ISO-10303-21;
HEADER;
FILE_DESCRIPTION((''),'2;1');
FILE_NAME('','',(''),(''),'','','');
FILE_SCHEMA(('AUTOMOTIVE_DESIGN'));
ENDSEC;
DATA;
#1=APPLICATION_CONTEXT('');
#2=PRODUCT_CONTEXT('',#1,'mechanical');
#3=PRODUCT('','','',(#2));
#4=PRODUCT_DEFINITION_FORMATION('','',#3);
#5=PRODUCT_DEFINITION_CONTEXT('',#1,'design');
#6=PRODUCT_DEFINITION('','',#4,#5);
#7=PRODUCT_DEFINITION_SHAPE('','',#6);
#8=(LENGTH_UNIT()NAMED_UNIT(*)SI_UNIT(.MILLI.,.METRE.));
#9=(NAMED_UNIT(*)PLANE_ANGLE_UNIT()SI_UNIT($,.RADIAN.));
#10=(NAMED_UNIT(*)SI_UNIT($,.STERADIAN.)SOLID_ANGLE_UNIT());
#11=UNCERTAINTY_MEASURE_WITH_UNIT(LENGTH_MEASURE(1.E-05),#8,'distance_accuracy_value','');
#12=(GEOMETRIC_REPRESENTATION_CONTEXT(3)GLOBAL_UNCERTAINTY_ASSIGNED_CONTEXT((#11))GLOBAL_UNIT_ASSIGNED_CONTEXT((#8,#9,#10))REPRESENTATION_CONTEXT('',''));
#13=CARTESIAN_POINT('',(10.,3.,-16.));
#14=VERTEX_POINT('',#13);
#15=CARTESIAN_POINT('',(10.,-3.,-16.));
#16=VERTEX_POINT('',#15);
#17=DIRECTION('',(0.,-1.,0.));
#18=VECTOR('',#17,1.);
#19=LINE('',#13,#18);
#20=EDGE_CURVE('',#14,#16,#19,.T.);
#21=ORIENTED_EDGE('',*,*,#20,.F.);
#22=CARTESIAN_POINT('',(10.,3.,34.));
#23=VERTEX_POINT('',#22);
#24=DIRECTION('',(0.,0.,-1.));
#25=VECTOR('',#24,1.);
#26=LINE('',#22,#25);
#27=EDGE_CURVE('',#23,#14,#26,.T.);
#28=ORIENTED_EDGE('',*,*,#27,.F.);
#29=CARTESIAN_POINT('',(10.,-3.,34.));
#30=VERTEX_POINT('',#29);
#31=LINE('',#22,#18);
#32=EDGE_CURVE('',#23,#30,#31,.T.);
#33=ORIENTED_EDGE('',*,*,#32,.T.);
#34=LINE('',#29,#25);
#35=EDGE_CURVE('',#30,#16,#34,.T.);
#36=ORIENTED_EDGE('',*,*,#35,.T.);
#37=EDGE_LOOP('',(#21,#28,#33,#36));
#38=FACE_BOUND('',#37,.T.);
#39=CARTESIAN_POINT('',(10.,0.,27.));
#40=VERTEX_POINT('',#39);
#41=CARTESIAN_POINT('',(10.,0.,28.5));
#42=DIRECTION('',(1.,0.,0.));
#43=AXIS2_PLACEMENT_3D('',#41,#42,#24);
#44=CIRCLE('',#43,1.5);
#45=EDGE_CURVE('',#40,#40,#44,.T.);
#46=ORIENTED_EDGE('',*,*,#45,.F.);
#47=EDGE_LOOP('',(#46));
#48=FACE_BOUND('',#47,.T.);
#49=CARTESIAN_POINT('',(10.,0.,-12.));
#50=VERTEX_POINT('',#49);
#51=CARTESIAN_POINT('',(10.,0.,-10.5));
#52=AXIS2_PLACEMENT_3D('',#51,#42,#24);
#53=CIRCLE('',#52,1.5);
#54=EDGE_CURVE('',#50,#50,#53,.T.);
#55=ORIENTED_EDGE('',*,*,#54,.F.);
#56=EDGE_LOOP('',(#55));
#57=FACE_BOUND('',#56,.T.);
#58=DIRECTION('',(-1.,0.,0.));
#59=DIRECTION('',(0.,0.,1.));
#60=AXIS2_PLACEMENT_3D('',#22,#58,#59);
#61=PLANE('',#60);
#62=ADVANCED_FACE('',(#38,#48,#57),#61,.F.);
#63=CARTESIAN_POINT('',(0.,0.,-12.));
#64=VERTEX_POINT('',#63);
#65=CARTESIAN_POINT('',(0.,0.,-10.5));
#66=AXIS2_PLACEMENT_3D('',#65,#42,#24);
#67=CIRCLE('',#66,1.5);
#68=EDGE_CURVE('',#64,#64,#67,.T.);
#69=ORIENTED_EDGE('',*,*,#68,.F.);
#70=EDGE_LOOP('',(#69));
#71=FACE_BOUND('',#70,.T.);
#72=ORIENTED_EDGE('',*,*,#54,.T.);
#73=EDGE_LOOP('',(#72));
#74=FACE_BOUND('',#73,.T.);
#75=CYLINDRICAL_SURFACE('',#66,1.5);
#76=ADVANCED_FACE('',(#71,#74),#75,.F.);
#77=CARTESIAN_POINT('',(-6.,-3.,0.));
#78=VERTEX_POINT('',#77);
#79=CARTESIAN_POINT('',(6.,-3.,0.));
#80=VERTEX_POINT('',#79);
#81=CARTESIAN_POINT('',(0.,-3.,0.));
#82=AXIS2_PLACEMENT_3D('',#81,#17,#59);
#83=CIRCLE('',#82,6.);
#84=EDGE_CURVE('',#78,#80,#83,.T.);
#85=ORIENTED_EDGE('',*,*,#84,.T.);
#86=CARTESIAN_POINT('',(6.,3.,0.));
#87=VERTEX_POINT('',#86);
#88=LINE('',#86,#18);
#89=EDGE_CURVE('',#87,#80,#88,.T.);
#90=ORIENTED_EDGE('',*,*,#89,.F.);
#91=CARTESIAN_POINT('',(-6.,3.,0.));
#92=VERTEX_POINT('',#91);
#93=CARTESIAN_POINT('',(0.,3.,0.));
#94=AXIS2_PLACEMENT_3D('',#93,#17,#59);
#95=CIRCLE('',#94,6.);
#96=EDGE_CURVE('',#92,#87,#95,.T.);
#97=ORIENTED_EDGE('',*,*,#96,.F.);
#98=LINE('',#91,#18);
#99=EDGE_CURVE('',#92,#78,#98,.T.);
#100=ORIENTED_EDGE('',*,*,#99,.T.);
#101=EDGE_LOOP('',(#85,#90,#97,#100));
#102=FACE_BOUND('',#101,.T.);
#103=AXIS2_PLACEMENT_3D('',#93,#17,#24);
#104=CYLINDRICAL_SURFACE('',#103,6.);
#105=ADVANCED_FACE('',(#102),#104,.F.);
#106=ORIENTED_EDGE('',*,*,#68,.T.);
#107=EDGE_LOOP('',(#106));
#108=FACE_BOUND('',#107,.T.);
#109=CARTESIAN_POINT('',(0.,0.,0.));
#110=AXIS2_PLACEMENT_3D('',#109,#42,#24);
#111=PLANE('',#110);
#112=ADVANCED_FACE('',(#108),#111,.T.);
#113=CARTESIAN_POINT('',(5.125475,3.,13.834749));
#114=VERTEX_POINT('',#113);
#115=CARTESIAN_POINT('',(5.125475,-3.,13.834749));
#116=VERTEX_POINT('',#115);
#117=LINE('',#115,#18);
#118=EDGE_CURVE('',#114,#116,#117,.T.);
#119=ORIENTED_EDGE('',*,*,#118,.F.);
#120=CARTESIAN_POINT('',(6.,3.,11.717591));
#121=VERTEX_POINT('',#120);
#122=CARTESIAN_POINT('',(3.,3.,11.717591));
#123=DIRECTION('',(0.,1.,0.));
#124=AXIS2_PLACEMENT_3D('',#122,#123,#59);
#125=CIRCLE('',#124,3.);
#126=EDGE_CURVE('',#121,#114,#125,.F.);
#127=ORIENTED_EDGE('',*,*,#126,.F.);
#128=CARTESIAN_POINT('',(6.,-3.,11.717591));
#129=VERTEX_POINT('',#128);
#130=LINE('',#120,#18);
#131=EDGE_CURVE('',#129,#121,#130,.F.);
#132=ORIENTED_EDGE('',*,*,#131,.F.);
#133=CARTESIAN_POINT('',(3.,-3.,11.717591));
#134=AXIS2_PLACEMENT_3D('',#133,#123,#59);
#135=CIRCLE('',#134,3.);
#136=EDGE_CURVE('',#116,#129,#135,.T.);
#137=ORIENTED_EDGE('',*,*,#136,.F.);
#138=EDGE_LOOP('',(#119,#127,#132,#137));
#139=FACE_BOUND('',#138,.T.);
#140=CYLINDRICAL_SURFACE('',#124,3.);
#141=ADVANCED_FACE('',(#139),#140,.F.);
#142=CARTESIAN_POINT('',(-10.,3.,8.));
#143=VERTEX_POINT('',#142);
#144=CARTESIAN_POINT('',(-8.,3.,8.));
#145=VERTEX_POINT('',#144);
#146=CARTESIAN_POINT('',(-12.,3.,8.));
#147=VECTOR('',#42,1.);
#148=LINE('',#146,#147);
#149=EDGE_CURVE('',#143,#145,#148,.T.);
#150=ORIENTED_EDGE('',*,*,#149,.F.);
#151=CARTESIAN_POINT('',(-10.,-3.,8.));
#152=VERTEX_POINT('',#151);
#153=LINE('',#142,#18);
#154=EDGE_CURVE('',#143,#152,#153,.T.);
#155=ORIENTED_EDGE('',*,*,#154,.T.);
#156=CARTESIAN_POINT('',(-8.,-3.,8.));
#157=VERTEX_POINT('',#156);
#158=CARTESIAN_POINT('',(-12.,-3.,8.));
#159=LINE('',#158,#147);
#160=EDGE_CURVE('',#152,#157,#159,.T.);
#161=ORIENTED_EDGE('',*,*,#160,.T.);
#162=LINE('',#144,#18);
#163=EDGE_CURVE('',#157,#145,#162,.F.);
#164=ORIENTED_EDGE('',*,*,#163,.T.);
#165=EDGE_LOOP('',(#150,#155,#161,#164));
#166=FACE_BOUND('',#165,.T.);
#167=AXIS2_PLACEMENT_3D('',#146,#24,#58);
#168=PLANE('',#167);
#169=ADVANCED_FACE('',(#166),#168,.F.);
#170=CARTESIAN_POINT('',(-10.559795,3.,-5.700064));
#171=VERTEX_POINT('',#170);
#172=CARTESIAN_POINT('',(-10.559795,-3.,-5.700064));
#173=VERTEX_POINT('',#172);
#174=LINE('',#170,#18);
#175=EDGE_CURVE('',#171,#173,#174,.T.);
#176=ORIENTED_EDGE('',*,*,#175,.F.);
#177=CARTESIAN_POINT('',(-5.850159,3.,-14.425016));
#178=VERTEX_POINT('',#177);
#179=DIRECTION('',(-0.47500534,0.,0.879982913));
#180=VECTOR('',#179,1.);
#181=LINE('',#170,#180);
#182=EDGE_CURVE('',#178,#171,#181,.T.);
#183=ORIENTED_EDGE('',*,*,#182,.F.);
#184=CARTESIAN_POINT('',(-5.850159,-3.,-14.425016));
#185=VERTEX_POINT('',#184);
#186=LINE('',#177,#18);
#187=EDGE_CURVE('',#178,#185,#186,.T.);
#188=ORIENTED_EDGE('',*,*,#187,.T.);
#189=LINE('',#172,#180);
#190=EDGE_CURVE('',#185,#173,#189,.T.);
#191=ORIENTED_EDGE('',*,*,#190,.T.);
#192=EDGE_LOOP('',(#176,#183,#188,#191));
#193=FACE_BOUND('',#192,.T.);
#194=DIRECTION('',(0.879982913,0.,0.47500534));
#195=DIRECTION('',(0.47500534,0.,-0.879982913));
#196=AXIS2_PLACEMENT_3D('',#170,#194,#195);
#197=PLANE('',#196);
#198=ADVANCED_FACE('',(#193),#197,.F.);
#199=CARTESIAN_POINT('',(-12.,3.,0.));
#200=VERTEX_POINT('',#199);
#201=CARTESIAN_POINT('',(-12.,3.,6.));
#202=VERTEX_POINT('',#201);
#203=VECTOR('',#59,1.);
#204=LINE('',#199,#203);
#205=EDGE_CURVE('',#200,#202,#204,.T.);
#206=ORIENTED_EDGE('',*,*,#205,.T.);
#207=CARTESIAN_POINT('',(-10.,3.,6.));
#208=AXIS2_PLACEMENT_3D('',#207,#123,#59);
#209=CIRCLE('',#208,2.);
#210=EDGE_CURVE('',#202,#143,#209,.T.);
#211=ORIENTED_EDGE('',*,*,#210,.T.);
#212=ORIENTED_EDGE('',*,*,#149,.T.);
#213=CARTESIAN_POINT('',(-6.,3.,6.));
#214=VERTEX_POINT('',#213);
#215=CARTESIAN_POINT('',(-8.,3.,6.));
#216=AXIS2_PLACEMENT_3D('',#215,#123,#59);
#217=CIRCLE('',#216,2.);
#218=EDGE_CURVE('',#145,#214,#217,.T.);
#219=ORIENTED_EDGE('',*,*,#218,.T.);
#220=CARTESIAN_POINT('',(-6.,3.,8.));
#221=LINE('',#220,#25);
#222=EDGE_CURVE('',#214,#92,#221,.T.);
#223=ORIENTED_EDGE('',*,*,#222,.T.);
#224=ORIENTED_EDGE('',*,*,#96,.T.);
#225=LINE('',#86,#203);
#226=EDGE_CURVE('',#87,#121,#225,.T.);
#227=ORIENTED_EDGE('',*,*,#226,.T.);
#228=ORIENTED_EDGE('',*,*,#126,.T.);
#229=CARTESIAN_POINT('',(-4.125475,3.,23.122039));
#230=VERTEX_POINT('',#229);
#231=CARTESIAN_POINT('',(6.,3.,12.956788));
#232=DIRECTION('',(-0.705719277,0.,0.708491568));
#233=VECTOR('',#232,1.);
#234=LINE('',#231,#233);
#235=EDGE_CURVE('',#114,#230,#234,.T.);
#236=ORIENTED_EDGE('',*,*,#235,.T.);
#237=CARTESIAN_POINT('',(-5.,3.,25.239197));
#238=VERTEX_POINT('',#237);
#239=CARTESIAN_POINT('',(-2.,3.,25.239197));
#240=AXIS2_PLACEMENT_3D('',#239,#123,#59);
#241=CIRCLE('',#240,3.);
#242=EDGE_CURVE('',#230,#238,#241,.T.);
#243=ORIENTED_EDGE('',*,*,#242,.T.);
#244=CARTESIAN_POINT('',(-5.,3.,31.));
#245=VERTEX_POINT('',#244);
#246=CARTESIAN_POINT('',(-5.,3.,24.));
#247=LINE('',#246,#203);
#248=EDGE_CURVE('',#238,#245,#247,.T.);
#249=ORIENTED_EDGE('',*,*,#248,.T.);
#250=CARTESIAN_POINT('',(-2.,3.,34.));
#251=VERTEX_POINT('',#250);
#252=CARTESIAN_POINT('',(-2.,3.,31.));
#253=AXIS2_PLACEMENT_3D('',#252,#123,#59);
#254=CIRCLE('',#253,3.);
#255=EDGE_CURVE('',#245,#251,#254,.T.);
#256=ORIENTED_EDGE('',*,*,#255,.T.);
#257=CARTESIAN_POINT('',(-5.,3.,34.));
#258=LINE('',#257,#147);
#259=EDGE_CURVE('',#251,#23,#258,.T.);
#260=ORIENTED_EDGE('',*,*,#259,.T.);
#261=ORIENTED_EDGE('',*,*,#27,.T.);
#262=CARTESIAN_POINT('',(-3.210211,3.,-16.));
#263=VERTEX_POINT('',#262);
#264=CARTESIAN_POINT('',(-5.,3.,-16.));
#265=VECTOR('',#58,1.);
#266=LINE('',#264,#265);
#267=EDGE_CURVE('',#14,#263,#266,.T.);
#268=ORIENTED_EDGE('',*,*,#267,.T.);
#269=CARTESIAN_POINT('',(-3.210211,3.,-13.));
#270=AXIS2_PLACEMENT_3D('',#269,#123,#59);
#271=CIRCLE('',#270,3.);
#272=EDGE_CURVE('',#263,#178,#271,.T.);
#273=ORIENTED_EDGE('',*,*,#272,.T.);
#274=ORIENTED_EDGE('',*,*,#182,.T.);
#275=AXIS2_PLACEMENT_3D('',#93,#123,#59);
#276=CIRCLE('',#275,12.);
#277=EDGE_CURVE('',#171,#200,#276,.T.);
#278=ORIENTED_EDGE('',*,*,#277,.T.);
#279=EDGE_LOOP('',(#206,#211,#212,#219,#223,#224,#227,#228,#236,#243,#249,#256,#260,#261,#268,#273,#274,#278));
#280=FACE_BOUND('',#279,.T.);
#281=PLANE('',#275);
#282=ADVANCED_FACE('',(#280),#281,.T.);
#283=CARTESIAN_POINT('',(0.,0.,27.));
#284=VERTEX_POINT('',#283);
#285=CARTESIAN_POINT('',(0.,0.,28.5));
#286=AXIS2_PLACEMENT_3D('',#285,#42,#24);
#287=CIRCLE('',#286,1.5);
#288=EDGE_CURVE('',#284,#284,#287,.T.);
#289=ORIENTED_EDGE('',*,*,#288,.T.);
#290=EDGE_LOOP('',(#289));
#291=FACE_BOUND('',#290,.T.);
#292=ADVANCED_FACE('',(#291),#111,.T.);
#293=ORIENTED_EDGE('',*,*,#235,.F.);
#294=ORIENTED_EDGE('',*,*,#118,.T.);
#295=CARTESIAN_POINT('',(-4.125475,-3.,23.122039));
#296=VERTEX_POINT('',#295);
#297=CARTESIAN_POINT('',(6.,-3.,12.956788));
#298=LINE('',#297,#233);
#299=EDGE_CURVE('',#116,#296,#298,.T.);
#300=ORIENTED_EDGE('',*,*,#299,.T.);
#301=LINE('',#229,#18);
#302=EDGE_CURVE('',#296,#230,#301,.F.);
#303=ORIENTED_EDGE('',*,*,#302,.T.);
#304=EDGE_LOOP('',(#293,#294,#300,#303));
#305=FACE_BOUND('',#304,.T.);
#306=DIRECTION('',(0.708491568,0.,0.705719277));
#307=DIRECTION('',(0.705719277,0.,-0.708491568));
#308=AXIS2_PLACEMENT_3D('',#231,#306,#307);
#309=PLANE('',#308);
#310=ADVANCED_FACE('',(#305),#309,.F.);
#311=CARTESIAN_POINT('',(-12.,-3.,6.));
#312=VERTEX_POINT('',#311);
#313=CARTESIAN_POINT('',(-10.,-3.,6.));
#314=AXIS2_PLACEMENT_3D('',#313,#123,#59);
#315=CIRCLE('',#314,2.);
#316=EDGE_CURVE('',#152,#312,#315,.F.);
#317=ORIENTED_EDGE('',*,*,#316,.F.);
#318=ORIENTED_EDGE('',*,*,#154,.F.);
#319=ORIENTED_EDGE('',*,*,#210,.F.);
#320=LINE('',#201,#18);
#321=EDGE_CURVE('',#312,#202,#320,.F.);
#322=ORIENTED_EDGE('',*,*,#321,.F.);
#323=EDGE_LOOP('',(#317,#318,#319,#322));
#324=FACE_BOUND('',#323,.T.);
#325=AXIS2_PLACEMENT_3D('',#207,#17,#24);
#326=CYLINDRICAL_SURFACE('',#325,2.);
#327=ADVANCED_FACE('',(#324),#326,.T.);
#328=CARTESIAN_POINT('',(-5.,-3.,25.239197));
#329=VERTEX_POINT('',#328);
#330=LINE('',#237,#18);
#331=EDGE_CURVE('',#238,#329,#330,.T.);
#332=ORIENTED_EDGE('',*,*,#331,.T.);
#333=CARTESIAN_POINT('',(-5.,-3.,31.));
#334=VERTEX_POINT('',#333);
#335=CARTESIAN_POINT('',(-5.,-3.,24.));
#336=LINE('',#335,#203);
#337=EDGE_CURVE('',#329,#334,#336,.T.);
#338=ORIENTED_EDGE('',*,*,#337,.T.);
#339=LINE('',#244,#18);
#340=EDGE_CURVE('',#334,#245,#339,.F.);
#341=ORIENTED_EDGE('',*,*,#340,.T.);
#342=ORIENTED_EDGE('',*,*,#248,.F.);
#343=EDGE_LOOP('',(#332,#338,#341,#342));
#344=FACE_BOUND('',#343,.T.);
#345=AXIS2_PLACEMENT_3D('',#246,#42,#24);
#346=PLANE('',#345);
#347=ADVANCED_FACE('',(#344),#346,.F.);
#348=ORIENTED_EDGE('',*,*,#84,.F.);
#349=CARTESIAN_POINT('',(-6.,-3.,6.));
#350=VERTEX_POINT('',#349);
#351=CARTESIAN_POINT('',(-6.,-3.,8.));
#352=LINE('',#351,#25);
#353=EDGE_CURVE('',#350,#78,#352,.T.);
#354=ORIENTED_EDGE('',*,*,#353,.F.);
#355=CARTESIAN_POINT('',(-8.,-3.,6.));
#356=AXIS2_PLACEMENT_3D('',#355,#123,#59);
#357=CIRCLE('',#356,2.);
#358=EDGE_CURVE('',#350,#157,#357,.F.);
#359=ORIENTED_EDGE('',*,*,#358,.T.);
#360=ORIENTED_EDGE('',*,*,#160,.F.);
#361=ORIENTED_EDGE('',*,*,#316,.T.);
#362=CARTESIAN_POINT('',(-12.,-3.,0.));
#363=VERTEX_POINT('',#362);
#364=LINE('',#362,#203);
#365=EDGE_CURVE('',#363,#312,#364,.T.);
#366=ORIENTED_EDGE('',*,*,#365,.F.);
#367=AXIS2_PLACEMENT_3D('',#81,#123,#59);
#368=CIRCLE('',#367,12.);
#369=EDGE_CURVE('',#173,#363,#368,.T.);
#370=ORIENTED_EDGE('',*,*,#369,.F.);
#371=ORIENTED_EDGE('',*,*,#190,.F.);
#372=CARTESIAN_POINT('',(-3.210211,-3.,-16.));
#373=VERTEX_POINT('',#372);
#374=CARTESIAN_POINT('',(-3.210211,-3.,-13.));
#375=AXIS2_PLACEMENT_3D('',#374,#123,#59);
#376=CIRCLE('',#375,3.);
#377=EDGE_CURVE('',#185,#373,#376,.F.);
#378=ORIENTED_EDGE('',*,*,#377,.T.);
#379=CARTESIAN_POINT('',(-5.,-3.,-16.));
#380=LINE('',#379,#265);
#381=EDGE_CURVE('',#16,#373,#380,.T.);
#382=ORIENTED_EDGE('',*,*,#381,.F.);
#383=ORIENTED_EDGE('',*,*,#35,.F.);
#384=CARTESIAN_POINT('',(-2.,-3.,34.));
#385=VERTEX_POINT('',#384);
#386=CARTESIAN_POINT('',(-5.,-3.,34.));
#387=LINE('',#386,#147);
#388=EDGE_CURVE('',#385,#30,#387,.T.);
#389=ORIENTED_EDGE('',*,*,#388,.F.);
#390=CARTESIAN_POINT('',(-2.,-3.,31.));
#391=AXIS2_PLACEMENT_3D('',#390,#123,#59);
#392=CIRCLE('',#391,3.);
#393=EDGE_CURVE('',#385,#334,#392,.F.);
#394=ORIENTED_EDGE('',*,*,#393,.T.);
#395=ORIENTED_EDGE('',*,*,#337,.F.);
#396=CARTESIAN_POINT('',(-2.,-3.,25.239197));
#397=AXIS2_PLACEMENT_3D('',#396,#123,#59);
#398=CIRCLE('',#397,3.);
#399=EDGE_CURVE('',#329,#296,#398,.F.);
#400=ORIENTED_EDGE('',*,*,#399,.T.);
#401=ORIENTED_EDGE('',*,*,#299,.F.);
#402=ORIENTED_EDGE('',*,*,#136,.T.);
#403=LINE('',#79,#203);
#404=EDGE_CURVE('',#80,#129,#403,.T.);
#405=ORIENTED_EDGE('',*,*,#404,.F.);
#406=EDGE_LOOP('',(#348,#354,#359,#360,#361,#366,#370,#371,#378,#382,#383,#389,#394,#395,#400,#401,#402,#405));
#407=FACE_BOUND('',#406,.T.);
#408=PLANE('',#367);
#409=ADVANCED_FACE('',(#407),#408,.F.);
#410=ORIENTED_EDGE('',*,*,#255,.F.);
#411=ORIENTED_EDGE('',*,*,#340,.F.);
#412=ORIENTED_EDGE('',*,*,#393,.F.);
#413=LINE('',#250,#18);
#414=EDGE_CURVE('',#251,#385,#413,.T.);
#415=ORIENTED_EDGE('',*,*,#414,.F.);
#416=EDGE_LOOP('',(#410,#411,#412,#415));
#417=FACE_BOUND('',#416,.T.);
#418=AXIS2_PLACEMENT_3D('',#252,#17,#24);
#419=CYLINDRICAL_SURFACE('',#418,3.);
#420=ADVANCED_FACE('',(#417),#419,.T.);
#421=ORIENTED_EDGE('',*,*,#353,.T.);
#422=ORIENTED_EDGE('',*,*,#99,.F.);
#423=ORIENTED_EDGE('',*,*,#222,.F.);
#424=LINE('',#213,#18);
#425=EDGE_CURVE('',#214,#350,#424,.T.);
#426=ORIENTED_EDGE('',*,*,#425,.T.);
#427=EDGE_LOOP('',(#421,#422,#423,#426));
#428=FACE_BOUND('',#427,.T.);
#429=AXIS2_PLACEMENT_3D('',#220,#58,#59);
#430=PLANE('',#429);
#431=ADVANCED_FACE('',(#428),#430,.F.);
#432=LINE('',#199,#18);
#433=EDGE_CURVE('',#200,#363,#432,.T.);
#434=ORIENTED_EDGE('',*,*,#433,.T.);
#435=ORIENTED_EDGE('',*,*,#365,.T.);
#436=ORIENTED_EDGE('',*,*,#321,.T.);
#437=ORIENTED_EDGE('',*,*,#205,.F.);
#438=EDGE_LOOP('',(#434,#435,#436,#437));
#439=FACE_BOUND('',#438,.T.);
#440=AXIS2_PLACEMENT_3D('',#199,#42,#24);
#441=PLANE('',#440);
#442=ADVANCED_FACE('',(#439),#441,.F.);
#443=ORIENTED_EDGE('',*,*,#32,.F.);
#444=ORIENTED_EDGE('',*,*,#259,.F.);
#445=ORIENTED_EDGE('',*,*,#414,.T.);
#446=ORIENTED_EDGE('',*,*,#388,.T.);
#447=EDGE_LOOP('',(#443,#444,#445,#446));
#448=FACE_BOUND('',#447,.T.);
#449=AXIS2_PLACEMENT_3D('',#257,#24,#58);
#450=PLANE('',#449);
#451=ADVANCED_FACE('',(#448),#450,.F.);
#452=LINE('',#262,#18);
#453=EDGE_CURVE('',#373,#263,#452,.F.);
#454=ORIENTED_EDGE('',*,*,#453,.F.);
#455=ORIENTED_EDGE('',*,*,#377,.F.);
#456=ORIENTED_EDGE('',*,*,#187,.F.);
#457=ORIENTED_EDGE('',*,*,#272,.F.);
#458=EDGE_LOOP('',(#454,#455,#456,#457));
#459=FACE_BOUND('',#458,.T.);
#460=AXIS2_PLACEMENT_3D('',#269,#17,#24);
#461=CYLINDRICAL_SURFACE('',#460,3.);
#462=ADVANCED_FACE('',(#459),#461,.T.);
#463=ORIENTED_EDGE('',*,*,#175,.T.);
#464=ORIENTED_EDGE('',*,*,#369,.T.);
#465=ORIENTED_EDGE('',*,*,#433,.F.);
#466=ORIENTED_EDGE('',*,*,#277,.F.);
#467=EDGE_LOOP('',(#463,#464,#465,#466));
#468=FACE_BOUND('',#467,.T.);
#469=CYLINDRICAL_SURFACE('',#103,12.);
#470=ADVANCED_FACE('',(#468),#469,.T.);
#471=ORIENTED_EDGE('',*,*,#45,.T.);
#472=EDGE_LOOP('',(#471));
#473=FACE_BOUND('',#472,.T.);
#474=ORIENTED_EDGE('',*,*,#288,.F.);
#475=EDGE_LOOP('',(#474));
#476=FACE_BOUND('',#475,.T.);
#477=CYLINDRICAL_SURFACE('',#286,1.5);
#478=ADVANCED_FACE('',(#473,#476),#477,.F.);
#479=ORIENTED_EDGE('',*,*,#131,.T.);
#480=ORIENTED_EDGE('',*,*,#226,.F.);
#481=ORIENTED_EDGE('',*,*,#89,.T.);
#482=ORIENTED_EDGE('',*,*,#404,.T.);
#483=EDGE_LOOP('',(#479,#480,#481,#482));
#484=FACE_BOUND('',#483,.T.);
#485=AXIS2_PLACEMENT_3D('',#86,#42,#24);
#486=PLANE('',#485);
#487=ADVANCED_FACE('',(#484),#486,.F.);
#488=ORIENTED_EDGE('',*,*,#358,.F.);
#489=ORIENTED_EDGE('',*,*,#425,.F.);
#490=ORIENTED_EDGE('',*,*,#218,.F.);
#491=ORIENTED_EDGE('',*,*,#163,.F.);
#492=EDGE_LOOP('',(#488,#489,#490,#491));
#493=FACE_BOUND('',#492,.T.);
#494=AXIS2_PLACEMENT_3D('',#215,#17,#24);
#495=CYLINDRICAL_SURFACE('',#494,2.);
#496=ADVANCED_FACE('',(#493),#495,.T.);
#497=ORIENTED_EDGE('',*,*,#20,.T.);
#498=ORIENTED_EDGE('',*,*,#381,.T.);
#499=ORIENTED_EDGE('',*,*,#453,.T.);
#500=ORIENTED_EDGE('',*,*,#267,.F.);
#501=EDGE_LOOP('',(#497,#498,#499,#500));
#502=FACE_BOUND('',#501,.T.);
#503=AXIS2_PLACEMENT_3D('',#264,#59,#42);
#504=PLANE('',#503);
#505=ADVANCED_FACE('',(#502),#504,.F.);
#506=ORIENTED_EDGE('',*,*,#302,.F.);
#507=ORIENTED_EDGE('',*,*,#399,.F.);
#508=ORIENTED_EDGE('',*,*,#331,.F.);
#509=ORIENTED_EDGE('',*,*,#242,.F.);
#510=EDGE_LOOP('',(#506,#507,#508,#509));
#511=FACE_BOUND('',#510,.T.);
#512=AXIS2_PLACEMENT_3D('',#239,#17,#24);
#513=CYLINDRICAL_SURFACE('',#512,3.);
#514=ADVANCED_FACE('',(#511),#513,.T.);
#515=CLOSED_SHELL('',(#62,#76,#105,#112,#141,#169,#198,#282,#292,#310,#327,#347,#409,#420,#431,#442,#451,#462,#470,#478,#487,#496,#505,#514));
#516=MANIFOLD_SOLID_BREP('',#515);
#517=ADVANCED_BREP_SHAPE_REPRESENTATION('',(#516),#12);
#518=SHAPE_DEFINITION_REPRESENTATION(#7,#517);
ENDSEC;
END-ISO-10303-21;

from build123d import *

# Parameters (mm, degrees)
BOSS_EXTRUDE1_DEPTH = 3
SKETCH2_R           = 1.5
CUT_EXTRUDE1_DEPTH  = 10
FILLET1_R           = 3
FILLET2_R           = 2


with BuildPart() as part:
    # Sketch1 → Boss-Extrude1 (new, symmetric)
    with BuildSketch(Plane(origin=(0, 0, 0), x_dir=(1, 0, 0), z_dir=(0, 1, 0))):
        with BuildLine():
            Line((6, 0), (6, -12.956788481))
            Line((6, -12.956788481), (-5, -24))
            Line((-5, -24), (-5, -34))
            Line((-5, -34), (10, -34))
            Line((10, -34), (10, 16))
            Line((10, 16), (-5, 16))
            Line((-5, 16), (-10.559794957, 5.700064076))
            ThreePointArc((-10.559794957, 5.700064076), (-11.634378786, 2.939596955), (-12, 0))
            Line((-12, 0), (-12, -8))
            Line((-12, -8), (-6, -8))
            Line((-6, -8), (-6, 0))
            ThreePointArc((-6, 0), (0, 6), (6, 0))
        make_face()
    extrude(amount=BOSS_EXTRUDE1_DEPTH, both=True)

    # Sketch2 → Cut-Extrude1 (cut)
    with BuildSketch(Plane(origin=(10, 0, 0), x_dir=(0, 0, -1), z_dir=(1, 0, 0))):
        with Locations((-28.5, 0)):
            Circle(SKETCH2_R)
        with Locations((10.5, 0)):
            Circle(SKETCH2_R)
    extrude(amount=-CUT_EXTRUDE1_DEPTH, mode=Mode.SUBTRACT)

    # Fillet1
    fillet1_edges = [part.edges().sort_by_distance(p)[0] for p in [
        (-5, 0, -16),
        (-5, 0, 34),
        (-5, 0, 24),
        (6, 0, 12.956788481),
    ]]
    fillet(fillet1_edges, radius=FILLET1_R)

    # Fillet2
    fillet2_edges = [part.edges().sort_by_distance(p)[0] for p in [
        (-6, 0, 8),
        (-12, 0, 8),
    ]]
    fillet(fillet2_edges, radius=FILLET2_R)


solid = part.part
